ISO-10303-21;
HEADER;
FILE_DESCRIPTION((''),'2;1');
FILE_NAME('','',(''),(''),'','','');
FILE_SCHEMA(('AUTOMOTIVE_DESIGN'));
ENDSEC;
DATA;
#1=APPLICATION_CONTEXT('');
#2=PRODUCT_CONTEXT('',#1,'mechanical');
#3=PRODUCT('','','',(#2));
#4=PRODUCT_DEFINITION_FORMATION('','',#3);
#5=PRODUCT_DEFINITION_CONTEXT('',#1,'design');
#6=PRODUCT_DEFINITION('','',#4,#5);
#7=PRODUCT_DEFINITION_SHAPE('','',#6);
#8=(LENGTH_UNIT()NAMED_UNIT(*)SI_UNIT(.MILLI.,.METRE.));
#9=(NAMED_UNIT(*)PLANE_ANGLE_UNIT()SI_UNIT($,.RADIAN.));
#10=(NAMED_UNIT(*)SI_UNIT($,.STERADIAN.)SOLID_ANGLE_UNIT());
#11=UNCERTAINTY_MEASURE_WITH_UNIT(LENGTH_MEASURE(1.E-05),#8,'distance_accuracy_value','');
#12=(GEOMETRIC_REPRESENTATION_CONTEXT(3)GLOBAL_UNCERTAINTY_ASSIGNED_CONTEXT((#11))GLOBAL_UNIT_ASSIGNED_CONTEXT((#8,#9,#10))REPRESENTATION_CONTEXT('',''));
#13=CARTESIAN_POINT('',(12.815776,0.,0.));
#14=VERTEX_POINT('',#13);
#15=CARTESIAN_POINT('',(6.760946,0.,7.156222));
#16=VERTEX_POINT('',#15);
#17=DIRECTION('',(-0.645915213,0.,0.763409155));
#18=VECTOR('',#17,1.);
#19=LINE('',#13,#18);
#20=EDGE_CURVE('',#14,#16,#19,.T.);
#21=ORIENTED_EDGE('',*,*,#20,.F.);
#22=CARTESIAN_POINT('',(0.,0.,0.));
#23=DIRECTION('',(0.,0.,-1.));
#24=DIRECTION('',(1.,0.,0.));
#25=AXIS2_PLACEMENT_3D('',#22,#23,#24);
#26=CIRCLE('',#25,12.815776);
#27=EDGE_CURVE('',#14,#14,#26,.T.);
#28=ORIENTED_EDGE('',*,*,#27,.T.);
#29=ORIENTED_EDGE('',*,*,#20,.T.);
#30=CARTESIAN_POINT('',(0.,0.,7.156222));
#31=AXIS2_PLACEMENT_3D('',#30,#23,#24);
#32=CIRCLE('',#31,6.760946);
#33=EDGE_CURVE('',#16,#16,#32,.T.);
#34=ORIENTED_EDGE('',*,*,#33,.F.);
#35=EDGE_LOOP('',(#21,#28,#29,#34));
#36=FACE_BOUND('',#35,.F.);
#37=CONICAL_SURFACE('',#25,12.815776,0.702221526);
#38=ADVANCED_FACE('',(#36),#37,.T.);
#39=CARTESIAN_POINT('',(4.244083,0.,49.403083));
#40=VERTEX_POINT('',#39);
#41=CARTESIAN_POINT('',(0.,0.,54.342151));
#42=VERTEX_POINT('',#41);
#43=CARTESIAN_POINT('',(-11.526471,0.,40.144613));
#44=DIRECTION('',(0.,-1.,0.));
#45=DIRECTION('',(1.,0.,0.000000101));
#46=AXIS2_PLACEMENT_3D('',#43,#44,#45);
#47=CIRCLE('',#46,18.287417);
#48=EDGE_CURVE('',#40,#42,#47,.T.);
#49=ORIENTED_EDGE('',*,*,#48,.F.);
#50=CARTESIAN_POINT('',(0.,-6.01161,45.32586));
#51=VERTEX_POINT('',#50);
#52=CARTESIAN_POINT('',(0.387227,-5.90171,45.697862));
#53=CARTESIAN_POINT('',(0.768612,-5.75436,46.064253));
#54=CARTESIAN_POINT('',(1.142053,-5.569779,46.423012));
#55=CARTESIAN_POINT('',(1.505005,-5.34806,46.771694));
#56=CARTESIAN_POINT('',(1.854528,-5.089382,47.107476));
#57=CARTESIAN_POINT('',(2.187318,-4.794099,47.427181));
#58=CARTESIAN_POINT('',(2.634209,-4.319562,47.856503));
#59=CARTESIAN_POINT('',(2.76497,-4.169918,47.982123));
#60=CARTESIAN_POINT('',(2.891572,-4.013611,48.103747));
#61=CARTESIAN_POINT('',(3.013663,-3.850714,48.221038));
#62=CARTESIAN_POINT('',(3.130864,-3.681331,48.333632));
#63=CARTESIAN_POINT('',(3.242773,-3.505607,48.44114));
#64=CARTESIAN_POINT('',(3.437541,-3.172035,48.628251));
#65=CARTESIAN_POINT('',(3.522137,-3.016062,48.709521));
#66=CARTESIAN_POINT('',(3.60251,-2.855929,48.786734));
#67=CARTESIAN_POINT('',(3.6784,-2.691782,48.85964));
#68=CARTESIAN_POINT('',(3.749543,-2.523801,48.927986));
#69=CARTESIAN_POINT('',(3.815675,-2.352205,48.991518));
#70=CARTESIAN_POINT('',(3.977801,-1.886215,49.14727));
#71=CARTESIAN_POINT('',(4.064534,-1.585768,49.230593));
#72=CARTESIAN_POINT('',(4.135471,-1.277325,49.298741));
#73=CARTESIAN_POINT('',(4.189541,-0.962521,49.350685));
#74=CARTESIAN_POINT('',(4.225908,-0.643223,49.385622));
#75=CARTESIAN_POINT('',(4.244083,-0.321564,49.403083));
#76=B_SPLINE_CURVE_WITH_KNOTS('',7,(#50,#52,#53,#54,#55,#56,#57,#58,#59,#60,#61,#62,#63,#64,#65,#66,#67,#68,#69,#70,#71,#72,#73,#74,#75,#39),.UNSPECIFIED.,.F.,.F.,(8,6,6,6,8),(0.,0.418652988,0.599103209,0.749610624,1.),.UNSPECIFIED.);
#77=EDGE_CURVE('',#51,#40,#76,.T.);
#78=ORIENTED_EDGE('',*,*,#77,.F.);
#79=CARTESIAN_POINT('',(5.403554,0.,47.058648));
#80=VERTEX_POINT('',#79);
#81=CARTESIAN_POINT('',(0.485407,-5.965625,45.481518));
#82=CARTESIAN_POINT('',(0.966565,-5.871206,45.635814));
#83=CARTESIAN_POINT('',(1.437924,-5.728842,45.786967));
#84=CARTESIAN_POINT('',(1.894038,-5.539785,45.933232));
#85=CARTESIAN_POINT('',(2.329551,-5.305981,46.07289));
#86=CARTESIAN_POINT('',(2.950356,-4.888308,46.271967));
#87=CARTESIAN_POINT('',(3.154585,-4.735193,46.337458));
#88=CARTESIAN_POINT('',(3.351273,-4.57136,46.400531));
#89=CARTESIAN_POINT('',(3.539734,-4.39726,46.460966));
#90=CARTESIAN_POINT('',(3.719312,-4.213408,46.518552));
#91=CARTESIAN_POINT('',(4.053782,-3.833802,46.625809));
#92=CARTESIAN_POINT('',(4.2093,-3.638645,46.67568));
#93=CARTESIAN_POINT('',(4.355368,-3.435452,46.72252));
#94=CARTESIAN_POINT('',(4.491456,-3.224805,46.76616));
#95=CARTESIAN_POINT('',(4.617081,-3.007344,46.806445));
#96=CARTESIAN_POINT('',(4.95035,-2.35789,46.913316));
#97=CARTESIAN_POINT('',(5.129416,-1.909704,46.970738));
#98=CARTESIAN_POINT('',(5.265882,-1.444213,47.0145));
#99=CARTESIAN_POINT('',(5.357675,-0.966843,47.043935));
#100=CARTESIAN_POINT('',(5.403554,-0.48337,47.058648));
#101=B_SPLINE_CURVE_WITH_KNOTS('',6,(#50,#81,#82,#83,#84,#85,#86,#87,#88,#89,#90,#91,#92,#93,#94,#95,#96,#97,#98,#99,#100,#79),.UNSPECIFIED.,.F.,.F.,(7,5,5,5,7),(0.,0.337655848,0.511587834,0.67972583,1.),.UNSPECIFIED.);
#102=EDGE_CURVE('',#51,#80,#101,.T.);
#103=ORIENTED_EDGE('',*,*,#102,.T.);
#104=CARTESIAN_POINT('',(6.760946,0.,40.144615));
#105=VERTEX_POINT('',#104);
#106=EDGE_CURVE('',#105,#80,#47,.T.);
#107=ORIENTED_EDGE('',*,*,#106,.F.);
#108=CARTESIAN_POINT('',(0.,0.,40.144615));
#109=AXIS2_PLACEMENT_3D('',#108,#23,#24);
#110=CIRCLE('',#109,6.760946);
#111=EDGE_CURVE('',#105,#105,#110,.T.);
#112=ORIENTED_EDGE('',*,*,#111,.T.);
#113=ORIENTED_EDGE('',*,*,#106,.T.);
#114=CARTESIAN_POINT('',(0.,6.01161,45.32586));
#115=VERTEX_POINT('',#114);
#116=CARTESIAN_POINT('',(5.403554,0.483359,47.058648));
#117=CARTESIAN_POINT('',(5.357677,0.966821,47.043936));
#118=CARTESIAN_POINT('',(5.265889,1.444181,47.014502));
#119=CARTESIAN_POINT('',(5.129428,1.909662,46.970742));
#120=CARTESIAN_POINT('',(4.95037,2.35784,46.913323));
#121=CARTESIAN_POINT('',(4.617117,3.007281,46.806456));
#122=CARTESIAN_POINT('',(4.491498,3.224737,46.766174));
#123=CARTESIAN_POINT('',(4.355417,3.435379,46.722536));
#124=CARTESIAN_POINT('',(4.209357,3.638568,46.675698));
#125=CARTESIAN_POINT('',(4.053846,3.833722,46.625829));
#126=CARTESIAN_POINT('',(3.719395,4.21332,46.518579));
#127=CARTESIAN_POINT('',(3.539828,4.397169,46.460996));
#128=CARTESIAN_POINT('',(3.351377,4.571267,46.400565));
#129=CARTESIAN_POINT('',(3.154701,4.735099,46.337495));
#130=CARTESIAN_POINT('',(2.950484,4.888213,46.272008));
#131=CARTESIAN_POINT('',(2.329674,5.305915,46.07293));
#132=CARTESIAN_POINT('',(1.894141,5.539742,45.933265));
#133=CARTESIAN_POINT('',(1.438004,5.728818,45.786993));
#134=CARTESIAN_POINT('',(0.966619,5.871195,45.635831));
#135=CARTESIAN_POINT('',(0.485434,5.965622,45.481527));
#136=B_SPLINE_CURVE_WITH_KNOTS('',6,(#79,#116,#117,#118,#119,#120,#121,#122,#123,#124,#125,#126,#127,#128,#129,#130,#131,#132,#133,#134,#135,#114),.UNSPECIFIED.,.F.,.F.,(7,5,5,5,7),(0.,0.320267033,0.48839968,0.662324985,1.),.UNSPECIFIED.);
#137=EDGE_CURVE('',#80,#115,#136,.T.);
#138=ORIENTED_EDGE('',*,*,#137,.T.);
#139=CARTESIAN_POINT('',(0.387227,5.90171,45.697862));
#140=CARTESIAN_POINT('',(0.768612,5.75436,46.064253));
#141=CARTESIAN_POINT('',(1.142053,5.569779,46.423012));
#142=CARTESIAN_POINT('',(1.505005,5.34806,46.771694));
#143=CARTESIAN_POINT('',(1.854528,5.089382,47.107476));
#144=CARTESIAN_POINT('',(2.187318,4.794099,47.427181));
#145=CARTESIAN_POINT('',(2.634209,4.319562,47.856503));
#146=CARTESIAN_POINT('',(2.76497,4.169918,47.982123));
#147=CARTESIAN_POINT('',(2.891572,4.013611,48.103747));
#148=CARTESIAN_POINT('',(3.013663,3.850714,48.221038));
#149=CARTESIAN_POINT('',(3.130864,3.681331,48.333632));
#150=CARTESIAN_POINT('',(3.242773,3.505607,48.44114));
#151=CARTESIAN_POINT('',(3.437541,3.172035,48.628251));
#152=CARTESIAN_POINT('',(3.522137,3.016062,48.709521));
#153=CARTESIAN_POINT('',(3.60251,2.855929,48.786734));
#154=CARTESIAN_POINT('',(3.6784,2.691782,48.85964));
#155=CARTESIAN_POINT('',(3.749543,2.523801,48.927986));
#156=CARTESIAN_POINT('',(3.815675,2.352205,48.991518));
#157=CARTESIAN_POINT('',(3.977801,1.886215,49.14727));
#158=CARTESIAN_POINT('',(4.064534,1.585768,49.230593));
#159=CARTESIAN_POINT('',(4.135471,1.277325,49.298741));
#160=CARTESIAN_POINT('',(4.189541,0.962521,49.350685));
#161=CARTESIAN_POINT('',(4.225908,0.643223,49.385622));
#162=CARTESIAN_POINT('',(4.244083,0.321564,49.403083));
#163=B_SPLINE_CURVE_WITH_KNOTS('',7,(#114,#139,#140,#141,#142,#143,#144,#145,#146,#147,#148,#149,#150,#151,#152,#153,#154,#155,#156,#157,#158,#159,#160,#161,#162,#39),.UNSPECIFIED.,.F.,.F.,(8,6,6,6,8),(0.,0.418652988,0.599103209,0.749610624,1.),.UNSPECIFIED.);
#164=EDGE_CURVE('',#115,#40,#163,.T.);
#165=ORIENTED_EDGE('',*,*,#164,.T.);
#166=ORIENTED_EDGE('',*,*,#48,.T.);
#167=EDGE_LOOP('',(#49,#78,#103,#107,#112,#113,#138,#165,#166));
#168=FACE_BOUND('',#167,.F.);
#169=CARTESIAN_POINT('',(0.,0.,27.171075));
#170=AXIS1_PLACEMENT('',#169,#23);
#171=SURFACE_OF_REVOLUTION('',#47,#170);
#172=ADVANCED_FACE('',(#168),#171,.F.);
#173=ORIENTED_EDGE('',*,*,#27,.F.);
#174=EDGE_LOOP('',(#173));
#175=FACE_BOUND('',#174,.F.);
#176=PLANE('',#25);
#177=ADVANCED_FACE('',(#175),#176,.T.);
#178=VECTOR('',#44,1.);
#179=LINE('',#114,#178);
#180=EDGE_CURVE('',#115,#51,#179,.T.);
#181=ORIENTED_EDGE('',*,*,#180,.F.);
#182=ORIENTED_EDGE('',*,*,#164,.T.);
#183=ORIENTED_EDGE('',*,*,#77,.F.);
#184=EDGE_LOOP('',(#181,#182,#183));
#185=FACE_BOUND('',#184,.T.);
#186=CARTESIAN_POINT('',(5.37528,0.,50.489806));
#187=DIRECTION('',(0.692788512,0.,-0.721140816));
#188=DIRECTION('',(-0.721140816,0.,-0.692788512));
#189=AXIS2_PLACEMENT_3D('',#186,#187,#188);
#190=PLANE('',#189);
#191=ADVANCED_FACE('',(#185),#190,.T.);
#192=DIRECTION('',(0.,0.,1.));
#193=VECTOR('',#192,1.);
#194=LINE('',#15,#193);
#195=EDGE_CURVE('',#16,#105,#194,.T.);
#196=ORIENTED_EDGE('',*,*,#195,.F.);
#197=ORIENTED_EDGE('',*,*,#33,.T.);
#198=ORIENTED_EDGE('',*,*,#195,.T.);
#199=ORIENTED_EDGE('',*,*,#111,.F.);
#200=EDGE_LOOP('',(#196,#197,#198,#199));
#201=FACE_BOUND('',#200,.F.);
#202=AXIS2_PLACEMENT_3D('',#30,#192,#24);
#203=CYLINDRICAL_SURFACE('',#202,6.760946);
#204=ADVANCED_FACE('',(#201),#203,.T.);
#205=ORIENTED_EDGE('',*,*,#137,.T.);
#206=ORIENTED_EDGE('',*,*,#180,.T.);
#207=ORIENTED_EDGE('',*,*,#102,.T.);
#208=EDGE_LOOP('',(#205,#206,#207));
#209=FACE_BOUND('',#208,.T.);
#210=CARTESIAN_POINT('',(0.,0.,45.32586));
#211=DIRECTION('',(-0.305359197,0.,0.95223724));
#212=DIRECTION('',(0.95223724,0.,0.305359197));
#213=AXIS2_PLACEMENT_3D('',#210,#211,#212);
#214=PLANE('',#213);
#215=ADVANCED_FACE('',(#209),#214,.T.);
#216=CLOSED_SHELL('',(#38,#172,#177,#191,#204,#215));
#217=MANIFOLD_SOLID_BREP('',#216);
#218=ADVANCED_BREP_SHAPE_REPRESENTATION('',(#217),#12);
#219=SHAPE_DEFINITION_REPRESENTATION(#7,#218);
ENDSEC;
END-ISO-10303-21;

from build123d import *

# Parameters (mm, degrees)
F3_DEPTH      = 19.05
F3_DEPTH_BACK = 25.4


with BuildPart() as f1:
    # F0 (on Front) → F1 (revolve)
    with BuildSketch(Plane.XZ):
        with BuildLine():
            ThreePointArc((6.760946, 40.144615), (4.984419, 48.007191), (0, 54.342151))
            Line((0, 54.342151), (0, 40.144615))
            Line((0, 40.144615), (6.760946, 40.144615))
        make_face()
        Polygon((6.760946, 40.144615), (0, 40.144615), (0, 0), (12.815776, 0), (6.760946, 7.156222), align=None)
    revolve(axis=Axis((0, 0, 27.171075), (0, 0, -1)))

    # F2 (on Front) → F3 (cut, two sides)
    with BuildSketch(Plane.XZ) as f3_sk:
        Polygon((5.37528, 50.489806), (0, 45.32586), (7.021396, 47.57745), align=None)
    extrude(amount=F3_DEPTH, mode=Mode.SUBTRACT)
    extrude(f3_sk.sketch, amount=-F3_DEPTH_BACK, mode=Mode.SUBTRACT)


solid = f1.part
